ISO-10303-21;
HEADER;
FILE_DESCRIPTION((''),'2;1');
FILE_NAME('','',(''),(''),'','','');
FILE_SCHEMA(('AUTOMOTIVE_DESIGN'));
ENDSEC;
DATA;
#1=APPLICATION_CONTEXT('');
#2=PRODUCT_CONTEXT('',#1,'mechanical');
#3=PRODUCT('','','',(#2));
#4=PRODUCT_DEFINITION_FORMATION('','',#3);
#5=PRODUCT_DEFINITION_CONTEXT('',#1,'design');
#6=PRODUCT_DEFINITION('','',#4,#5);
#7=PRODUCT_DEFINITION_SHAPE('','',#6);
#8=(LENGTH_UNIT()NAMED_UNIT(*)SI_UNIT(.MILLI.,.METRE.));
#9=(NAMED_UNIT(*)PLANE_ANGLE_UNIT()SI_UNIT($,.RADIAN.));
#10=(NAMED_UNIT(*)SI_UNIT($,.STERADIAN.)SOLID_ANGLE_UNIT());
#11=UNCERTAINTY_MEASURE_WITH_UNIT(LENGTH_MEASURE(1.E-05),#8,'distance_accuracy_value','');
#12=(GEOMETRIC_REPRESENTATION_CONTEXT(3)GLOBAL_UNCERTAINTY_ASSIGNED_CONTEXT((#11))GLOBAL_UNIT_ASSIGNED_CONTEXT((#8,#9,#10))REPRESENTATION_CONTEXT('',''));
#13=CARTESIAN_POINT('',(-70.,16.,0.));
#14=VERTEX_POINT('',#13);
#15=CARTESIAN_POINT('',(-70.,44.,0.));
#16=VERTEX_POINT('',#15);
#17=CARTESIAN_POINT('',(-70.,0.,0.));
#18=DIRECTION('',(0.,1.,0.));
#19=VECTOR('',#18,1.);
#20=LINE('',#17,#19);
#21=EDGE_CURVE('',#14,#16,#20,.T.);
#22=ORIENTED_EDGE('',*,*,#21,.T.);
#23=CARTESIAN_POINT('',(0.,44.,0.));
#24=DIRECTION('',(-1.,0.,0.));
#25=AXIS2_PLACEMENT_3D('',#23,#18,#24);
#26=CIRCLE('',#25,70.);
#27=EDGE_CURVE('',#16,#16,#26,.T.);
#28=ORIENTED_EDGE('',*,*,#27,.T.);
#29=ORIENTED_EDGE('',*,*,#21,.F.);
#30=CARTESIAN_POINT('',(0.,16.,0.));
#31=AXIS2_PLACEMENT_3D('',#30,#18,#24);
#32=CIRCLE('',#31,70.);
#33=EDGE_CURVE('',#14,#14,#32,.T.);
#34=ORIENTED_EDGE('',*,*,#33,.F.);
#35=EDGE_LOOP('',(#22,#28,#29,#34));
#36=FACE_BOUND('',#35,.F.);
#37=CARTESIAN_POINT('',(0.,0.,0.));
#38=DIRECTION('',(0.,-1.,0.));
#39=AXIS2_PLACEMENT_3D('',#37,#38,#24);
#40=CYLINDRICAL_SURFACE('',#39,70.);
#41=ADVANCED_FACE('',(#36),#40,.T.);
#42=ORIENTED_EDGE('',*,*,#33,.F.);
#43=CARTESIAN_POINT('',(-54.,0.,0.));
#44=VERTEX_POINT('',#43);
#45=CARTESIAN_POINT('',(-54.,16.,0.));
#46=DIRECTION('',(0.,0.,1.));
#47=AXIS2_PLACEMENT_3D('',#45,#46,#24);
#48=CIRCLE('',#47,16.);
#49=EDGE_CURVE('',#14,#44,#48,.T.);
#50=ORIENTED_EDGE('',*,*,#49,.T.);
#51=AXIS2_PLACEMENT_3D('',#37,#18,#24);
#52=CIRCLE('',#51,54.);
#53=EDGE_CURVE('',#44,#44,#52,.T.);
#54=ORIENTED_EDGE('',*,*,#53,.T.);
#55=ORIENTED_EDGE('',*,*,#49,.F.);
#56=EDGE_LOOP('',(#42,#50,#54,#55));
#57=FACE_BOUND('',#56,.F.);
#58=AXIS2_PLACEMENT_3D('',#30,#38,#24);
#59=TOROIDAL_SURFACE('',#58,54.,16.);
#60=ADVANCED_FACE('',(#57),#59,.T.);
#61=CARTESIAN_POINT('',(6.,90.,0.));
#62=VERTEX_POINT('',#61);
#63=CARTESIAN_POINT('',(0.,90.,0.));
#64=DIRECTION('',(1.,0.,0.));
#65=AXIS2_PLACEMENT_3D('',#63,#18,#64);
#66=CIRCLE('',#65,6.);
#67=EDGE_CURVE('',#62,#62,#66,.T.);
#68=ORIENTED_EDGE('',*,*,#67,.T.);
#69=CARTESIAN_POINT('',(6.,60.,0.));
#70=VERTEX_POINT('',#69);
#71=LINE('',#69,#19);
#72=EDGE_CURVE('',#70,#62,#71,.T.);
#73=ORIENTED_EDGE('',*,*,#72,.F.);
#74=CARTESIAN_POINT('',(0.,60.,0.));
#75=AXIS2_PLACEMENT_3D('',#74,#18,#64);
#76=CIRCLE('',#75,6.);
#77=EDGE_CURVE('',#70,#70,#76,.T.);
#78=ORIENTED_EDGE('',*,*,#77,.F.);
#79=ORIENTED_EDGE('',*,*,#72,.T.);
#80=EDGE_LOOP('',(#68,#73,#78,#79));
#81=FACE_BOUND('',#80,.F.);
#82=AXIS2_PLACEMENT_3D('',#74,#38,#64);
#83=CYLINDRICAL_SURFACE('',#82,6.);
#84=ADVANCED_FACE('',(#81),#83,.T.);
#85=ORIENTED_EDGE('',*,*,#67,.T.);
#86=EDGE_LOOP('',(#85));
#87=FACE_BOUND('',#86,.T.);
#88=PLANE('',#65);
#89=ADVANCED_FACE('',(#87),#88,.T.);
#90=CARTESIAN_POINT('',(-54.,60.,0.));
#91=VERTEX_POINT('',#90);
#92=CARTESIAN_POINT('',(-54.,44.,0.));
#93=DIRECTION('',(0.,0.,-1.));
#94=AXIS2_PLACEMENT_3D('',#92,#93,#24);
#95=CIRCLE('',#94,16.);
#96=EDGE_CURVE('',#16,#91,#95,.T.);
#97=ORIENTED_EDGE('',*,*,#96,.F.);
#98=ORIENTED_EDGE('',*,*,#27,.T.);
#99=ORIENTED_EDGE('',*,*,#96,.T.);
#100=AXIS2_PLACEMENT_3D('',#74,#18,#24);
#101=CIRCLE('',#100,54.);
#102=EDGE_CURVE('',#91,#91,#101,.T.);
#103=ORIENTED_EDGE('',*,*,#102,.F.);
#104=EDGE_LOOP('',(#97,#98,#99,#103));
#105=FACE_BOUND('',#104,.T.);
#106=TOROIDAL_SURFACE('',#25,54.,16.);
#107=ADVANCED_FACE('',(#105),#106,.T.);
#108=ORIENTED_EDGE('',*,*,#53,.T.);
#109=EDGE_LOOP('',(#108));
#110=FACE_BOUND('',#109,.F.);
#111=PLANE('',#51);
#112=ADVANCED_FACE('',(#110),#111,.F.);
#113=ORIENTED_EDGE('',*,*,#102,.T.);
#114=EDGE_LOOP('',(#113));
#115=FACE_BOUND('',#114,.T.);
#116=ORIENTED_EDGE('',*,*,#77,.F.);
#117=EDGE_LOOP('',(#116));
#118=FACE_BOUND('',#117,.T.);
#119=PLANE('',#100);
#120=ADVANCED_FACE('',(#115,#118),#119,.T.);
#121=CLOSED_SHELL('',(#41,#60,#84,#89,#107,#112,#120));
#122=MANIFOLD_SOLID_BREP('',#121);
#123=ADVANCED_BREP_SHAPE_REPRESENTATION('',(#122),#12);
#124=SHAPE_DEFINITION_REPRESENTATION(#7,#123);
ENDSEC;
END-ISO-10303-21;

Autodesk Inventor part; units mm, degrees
ref_plane "YZ Plane" through (0, 0, 0) normal (1, 0, 0) x (0, 1, 0)
ref_plane "XZ Plane" through (0, 0, 0) normal (0, 1, 0) x (-1, 0, 0)
ref_plane "XY Plane" through (0, 0, 0) normal (0, 0, 1) x (1, 0, 0)
sketch "Sketch1" plane through (0, 0, 0) normal (0, 1, 0) x (-1, 0, 0)
  circle A0 centre (0, 0) radius 70
  dimension "d4" = 140
extrude "Extrusion1" add sketch "Sketch1" along normal blind 60
sketch "Sketch2" plane through (0, 60, 0) normal (0, 1, 0) x (1, 0, 0)
  circle A0 centre (0, 0) radius 70 construction
  circle A1 centre (0, 0) radius 6
  dimension "d5" = 12
extrude "Extrusion2" add sketch "Sketch2" along normal blind 30
fillet "Fillet1" radius 16 2 edges at (70, 60, 0) (70, 0, 0)
properties part number "GiroMotor"
